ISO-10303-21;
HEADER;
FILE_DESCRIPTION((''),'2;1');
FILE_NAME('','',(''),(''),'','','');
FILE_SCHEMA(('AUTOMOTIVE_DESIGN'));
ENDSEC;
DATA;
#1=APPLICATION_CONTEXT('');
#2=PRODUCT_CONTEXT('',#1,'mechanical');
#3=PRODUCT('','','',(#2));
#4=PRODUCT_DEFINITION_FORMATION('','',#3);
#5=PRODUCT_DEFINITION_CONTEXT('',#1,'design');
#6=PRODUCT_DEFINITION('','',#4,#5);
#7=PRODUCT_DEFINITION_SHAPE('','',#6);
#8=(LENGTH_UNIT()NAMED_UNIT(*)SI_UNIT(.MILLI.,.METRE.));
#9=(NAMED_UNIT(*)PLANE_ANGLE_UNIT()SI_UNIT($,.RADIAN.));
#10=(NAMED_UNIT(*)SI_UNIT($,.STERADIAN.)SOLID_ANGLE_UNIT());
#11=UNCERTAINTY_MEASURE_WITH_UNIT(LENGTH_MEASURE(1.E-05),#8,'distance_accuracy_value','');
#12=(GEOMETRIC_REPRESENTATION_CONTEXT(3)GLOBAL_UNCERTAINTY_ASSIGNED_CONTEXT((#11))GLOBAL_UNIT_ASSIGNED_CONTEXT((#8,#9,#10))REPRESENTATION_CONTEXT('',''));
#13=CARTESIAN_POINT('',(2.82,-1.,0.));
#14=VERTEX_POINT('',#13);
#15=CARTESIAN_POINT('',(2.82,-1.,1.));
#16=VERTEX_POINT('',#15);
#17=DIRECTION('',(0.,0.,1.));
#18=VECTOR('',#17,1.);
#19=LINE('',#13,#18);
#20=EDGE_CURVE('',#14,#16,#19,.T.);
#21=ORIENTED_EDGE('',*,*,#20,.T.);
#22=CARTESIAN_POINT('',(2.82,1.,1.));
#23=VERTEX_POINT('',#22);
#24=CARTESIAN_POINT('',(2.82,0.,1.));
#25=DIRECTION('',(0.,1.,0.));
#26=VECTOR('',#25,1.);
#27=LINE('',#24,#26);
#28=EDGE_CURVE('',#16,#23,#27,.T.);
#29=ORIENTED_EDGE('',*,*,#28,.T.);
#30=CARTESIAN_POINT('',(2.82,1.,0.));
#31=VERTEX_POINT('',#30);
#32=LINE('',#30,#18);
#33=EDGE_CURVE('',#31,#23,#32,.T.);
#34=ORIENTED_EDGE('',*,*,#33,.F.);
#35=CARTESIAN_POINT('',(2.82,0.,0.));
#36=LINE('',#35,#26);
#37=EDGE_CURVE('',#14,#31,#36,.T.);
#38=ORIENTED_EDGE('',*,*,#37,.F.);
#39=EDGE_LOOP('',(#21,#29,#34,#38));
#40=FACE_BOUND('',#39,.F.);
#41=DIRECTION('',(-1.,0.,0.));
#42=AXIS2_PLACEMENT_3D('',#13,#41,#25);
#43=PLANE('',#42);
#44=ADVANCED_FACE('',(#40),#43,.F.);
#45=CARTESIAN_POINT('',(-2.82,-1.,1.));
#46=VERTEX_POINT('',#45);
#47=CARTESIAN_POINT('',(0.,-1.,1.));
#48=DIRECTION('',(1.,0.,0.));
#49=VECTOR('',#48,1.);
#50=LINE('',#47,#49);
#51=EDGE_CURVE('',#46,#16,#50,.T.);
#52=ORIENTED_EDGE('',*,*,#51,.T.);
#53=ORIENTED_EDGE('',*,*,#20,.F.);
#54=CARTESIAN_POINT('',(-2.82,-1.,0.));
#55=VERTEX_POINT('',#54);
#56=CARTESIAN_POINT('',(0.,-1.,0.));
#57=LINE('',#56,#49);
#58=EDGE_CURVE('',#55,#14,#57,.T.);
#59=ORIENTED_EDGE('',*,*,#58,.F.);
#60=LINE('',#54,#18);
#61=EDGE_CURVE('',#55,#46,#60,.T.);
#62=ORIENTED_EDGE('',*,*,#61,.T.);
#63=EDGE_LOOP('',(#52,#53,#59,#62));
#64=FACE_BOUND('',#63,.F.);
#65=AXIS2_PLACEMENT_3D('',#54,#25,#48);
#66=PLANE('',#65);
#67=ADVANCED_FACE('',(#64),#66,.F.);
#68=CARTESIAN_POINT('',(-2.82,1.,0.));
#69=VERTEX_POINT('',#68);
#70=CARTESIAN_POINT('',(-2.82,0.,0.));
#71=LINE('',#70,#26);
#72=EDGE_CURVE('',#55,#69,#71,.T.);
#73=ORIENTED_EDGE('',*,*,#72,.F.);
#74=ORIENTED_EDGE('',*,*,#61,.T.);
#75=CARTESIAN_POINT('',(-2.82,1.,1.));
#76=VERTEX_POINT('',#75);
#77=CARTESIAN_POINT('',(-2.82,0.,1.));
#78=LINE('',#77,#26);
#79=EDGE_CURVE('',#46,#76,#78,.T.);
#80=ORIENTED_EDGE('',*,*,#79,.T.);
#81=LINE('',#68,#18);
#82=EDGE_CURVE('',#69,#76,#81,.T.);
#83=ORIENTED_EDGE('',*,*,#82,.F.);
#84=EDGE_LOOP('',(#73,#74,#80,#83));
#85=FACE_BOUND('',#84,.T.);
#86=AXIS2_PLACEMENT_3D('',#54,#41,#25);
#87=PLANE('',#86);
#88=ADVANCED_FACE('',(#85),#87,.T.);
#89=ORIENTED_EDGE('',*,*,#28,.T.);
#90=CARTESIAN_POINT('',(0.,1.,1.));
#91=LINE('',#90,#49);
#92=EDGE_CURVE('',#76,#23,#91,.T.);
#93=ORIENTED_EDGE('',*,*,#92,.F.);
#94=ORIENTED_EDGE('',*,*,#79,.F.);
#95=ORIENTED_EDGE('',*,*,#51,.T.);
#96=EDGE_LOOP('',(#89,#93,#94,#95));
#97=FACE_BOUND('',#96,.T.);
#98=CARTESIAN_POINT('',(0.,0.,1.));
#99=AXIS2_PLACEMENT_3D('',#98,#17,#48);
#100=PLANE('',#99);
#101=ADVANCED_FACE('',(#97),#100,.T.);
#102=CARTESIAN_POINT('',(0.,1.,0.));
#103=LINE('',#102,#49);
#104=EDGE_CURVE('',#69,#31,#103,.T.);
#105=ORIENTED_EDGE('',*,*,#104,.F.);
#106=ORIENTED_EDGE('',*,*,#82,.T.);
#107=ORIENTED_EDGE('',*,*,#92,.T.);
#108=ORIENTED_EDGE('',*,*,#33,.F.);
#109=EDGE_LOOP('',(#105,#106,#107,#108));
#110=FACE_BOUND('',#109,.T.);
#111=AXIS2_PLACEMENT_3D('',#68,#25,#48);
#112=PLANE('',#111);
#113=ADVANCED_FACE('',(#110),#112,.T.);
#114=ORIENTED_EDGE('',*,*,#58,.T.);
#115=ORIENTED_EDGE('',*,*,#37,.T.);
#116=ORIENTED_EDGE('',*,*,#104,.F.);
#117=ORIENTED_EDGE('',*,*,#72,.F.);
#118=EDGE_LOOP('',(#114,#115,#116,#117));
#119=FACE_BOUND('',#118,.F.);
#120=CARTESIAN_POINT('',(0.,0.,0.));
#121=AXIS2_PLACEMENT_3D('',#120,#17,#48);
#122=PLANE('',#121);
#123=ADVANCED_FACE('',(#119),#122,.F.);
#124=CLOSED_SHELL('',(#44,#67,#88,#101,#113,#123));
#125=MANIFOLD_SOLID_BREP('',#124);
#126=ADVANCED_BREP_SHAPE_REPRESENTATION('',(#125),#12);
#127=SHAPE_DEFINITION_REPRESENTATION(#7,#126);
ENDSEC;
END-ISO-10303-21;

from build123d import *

# Parameters (mm, degrees)
SKETCH_W  = 5.64
SKETCH_H  = 2
PAD_DEPTH = 1


with BuildPart() as part:
    # Sketch → Pad (new body)
    with BuildSketch(Plane.XY):
        Rectangle(SKETCH_W, SKETCH_H)
    extrude(amount=PAD_DEPTH)


solid = part.part
